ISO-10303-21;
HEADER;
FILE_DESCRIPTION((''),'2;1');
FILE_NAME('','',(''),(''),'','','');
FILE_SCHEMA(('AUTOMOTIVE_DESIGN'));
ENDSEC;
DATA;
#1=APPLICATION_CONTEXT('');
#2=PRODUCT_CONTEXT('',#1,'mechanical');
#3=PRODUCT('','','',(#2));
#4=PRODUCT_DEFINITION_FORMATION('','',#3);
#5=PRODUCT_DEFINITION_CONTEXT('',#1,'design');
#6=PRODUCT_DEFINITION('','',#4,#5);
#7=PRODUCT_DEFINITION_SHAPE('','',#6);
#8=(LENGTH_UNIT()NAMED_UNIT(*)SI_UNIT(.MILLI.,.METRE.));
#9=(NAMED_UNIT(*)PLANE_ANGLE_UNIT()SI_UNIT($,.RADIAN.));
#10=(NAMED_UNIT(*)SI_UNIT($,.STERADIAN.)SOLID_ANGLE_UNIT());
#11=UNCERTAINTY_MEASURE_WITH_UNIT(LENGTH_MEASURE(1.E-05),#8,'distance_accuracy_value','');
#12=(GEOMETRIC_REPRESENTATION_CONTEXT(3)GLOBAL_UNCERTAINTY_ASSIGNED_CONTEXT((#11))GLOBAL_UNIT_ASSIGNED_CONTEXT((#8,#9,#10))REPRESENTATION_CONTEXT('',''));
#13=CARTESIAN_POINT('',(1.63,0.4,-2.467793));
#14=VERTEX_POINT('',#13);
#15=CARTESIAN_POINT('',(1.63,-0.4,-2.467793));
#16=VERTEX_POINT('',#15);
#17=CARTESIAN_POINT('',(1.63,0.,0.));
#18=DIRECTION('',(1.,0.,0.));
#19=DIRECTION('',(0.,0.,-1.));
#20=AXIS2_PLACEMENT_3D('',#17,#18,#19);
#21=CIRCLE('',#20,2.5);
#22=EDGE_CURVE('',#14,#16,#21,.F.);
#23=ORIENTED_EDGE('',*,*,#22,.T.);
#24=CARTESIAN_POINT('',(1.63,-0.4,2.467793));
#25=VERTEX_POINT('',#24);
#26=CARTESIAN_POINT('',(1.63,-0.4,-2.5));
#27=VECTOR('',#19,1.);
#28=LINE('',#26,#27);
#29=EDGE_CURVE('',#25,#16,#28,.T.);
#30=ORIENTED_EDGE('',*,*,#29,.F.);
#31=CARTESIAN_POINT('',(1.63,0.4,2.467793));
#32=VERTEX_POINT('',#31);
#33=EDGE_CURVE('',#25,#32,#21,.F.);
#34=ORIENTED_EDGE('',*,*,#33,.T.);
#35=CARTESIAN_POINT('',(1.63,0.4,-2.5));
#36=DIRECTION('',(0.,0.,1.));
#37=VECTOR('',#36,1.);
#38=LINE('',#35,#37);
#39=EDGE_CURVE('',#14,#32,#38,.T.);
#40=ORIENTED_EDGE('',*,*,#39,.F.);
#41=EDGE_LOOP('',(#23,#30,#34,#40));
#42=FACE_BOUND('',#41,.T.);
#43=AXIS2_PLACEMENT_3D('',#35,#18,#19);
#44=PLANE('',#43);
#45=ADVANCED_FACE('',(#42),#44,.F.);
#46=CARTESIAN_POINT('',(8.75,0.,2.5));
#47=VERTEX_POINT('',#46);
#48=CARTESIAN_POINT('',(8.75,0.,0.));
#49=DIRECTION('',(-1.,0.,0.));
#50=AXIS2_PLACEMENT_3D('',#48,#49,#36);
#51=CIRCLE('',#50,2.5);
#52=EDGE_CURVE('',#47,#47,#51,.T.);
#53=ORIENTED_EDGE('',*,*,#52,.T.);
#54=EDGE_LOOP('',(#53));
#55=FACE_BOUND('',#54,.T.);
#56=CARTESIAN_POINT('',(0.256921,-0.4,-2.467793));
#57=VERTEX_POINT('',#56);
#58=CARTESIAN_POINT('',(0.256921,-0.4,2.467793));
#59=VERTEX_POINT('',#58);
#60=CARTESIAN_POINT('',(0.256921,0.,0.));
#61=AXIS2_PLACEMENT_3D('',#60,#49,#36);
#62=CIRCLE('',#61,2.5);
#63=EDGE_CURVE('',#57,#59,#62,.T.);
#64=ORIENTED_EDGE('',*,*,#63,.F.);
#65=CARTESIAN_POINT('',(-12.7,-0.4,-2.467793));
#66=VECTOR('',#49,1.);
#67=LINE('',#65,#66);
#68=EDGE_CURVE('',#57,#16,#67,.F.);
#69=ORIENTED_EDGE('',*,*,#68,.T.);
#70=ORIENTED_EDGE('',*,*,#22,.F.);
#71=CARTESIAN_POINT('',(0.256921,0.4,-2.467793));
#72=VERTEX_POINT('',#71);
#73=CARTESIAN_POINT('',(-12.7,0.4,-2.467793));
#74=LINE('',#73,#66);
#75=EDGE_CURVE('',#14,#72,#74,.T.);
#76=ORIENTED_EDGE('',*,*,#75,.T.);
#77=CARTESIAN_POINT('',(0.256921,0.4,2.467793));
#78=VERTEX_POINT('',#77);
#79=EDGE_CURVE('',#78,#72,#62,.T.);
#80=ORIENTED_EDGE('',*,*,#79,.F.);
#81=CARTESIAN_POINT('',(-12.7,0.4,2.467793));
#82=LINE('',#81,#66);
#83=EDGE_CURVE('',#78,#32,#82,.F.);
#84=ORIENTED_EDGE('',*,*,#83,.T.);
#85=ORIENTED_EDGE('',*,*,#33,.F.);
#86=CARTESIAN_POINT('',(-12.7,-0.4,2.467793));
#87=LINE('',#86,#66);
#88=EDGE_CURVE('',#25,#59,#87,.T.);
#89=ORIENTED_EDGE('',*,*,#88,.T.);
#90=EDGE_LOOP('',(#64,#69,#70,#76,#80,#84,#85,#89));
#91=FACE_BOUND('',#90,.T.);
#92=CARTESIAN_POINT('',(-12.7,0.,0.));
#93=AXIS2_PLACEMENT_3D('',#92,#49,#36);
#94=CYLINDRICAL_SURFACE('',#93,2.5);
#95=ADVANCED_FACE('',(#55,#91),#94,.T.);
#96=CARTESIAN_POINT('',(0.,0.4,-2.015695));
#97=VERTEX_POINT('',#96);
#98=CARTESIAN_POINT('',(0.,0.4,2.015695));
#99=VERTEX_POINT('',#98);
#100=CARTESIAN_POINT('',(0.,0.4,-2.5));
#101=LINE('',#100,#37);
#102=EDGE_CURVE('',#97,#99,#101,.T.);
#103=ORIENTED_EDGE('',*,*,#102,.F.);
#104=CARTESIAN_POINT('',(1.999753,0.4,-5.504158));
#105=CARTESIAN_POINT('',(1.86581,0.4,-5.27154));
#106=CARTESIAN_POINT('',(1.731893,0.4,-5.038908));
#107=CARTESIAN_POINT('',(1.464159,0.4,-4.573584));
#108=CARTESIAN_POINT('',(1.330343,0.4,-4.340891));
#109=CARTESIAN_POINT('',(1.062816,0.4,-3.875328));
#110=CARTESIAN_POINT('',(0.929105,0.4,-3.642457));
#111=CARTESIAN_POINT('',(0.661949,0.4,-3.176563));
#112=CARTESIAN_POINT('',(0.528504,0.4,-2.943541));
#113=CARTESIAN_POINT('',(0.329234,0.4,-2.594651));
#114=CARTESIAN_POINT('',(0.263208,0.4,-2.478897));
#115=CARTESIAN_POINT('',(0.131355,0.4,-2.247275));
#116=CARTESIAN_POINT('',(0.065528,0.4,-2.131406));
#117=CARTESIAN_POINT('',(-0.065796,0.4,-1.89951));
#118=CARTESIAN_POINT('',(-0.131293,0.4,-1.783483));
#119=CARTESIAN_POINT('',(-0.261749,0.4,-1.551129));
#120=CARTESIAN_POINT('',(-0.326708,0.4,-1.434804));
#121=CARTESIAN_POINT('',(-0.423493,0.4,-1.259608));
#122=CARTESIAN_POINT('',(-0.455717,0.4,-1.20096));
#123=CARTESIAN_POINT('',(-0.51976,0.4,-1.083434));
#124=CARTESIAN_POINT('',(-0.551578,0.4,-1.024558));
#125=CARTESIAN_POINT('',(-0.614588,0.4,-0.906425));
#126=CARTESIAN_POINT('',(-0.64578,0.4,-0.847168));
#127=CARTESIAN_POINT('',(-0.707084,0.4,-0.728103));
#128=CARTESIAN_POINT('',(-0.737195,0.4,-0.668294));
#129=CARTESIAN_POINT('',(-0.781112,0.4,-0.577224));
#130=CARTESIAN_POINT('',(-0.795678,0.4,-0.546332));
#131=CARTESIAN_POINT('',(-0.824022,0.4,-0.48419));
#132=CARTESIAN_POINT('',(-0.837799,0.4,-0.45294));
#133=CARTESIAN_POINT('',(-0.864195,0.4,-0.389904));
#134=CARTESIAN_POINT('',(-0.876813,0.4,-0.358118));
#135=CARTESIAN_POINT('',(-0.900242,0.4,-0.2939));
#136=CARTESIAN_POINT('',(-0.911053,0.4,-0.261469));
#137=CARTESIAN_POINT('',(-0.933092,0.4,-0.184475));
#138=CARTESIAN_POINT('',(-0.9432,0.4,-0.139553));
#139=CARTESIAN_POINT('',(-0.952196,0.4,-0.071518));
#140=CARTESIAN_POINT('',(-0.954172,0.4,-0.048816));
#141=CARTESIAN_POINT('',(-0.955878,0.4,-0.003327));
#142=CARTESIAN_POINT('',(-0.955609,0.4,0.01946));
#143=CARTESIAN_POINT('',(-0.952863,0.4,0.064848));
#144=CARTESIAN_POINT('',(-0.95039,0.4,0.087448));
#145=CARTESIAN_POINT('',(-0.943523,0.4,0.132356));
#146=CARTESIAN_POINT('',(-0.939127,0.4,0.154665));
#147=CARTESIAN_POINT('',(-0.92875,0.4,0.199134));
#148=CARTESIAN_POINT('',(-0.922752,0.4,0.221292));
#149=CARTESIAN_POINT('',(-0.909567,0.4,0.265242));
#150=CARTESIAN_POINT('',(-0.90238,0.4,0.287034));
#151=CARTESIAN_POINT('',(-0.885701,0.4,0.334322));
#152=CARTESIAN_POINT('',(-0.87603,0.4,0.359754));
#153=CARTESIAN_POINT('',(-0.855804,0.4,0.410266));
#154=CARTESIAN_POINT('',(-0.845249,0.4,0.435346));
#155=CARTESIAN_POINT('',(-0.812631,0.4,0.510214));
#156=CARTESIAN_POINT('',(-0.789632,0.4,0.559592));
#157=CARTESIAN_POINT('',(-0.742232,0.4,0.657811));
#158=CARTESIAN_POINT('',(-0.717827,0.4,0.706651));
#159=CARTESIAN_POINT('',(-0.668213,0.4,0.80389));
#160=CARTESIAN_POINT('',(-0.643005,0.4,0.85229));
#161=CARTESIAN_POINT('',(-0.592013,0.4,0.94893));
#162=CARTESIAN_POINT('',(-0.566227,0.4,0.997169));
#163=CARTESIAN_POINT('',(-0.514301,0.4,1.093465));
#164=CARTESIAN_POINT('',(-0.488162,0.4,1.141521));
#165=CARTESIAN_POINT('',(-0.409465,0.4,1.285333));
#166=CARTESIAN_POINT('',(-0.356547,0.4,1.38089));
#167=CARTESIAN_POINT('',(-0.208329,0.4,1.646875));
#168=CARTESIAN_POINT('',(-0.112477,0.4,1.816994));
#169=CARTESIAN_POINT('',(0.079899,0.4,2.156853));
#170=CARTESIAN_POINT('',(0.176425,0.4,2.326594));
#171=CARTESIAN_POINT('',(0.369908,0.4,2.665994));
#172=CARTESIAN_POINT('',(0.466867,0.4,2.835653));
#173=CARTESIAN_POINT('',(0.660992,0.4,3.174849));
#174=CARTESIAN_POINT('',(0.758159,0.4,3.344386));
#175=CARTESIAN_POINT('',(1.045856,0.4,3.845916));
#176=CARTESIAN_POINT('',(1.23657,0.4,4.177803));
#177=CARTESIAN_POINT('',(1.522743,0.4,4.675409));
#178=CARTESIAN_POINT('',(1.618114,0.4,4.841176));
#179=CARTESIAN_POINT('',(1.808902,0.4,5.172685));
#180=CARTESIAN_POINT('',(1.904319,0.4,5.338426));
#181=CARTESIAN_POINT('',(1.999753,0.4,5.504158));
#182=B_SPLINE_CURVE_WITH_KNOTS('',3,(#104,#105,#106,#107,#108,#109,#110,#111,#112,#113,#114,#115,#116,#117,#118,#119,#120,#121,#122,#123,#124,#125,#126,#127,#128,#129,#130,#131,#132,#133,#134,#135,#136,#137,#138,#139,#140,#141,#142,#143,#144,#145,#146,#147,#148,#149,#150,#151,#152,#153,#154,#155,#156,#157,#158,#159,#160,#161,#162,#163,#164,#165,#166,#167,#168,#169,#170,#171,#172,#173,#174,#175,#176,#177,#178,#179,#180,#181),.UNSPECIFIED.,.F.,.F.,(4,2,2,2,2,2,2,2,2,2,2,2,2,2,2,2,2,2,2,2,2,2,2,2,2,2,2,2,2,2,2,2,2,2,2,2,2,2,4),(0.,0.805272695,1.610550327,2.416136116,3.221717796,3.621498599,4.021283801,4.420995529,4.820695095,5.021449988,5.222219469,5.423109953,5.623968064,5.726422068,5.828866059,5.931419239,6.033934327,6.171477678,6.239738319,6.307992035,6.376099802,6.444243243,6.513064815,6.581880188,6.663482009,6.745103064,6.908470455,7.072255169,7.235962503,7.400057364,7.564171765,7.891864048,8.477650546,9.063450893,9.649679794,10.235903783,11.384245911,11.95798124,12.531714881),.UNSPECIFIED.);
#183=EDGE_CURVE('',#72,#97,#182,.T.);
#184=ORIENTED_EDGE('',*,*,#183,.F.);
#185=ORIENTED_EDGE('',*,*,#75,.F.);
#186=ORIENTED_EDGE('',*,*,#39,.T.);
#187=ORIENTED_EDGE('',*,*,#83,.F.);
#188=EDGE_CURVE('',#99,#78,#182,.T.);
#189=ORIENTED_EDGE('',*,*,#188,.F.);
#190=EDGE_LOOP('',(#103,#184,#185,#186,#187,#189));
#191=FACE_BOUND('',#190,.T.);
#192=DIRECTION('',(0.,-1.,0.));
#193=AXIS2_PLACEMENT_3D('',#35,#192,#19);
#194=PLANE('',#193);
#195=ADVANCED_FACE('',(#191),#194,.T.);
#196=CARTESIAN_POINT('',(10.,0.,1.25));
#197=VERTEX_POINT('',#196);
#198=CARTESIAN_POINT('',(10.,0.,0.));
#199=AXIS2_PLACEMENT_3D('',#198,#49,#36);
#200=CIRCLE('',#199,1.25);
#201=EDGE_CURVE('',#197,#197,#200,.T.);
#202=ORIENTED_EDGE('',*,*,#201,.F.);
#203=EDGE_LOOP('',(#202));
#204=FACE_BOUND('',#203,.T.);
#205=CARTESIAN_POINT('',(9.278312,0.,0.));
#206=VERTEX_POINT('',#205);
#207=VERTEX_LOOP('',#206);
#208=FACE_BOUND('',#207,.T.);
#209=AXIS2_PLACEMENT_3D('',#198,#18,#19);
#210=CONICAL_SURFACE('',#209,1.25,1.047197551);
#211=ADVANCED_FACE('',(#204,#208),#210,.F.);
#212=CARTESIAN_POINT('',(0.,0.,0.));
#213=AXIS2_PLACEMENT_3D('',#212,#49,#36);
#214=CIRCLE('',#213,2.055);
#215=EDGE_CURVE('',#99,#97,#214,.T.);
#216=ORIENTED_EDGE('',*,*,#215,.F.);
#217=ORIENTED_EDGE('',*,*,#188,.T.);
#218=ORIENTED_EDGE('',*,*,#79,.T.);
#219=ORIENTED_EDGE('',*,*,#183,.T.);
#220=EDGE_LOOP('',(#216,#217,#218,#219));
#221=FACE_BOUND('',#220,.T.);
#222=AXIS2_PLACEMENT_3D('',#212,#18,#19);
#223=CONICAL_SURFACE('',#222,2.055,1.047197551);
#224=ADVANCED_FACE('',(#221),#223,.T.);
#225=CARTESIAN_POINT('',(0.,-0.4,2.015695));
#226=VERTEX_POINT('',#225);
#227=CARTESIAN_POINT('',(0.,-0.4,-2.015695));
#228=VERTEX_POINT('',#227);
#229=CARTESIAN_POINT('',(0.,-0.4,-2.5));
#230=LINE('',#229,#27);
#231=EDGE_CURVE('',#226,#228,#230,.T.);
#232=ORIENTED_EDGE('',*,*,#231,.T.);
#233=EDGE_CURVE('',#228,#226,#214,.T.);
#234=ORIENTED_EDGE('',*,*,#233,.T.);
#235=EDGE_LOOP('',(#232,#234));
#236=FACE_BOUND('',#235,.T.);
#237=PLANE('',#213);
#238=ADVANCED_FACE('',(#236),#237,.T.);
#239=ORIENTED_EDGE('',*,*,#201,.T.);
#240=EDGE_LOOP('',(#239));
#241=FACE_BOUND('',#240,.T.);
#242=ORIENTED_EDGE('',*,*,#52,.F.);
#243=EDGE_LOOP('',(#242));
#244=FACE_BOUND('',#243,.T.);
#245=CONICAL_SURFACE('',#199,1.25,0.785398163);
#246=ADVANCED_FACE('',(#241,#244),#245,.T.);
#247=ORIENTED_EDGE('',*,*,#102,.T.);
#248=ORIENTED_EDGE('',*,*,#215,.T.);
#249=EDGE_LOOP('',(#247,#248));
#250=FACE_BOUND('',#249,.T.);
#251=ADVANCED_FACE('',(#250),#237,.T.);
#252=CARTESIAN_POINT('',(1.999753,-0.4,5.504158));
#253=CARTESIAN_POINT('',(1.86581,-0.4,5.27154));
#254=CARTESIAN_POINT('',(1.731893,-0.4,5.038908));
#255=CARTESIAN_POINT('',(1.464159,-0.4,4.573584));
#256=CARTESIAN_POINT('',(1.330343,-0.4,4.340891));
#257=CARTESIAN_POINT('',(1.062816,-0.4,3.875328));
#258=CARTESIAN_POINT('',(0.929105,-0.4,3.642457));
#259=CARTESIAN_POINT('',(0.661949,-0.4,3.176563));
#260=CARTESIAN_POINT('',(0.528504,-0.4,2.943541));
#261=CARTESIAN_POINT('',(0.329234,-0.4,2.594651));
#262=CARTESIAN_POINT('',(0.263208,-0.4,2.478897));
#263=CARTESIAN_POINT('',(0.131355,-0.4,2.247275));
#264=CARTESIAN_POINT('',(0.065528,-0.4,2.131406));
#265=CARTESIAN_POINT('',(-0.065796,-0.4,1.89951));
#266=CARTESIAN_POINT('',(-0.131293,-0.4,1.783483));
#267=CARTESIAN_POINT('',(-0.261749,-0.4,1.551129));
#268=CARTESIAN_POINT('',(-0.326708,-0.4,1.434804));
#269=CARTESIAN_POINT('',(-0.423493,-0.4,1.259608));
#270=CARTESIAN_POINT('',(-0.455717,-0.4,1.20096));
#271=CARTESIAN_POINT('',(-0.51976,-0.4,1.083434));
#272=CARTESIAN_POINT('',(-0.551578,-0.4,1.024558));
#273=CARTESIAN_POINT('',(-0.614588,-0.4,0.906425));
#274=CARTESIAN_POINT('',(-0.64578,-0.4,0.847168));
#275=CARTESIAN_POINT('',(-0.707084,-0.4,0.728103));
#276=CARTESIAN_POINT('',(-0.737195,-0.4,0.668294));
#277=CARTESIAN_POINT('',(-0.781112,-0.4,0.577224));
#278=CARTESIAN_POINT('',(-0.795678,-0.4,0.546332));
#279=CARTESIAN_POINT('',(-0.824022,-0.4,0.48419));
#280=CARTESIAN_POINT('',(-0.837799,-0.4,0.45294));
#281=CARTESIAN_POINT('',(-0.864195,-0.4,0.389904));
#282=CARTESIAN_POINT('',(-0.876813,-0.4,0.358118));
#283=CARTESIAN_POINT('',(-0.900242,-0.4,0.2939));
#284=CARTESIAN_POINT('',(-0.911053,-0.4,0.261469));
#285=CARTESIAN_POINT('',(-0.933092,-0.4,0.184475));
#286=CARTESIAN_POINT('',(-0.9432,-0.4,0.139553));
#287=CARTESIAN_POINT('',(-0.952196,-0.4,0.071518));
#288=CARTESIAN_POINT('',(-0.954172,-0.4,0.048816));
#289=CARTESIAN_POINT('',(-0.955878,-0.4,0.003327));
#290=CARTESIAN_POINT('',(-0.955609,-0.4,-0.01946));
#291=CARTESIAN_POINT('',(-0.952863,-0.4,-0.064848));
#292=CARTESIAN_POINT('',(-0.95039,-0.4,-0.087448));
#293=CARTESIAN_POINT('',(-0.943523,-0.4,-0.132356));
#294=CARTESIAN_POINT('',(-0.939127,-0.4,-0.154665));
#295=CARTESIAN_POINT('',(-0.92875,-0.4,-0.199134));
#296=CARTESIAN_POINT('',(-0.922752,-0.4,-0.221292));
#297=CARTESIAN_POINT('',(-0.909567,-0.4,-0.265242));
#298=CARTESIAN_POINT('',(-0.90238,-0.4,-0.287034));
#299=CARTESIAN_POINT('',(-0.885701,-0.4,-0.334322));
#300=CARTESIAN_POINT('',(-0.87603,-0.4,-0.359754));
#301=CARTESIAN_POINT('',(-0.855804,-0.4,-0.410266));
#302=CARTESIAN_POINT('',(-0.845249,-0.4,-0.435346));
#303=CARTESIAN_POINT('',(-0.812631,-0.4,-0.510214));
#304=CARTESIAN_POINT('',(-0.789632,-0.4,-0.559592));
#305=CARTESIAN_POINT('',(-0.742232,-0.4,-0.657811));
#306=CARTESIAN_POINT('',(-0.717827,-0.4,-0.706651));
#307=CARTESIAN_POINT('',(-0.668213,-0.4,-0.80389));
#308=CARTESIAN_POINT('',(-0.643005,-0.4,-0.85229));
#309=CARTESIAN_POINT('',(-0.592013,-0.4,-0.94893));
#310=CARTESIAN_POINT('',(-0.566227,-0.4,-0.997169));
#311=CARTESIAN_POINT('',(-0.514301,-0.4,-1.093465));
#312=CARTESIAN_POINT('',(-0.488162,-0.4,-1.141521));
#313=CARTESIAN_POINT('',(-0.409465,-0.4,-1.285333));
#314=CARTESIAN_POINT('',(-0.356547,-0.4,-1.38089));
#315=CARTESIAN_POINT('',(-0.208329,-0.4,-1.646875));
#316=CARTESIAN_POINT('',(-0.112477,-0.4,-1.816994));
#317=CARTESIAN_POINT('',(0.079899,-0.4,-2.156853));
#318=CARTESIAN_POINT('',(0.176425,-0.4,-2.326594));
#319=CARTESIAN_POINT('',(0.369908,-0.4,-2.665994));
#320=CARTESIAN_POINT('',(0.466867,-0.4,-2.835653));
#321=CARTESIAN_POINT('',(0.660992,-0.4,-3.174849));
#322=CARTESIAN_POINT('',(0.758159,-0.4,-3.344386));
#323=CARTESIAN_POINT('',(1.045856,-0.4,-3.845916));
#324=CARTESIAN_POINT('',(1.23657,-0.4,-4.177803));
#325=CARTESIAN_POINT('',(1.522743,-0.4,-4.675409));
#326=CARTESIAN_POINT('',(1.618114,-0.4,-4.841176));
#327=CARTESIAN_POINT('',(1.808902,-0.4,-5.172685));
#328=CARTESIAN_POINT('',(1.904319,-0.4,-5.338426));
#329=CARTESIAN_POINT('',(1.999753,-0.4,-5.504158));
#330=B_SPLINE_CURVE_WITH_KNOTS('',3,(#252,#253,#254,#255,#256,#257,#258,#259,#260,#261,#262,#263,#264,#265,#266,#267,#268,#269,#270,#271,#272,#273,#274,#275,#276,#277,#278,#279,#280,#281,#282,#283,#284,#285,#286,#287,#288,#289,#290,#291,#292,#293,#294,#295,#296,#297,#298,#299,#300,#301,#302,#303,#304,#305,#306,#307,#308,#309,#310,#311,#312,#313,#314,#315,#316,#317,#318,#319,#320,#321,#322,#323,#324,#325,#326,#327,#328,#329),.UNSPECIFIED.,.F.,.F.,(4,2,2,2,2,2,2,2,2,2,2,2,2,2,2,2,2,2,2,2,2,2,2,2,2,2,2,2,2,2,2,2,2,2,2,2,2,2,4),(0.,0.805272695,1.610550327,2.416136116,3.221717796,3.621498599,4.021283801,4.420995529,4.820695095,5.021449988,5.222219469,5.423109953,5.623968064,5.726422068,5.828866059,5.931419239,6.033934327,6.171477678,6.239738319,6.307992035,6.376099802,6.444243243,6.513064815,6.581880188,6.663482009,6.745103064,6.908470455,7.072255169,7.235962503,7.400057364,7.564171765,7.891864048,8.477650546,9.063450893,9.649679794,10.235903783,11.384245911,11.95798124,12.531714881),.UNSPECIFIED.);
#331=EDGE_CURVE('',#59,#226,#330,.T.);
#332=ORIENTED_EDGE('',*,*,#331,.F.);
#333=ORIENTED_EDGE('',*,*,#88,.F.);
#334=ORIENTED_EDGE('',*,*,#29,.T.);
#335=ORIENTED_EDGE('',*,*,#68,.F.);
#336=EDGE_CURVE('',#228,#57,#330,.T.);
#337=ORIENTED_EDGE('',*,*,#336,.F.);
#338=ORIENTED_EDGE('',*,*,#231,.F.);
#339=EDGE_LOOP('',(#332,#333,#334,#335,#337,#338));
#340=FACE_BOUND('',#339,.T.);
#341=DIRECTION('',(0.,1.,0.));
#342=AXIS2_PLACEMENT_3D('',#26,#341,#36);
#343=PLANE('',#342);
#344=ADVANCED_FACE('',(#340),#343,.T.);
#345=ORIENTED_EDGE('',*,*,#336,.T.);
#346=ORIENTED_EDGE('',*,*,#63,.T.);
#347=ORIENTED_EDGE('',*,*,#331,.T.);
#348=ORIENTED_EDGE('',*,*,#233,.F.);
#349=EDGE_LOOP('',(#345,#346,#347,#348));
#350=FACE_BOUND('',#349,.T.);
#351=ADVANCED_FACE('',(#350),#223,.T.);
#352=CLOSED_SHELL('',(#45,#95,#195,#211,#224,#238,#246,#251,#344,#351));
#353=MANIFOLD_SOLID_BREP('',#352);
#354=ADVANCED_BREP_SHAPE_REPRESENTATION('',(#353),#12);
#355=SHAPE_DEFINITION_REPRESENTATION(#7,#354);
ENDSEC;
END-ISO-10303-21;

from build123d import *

# Parameters (mm, degrees)
SKETCH2_W  = 5
SKETCH2_H  = 0.8
SLOT_DEPTH = 1.63


with BuildPart() as part:
    # BodySke → BaseBody (revolve)
    with BuildSketch(Plane.XY):
        Polygon((10, 1.25), (9.278312164, 0), (0, 0), (0, 2.055), (0.25692087, 2.5), (8.75, 2.5), align=None)
    revolve(axis=Axis((-12.7, 0, 0), (1, 0, 0)))

    # Sketch2 → Slot (cut)
    with BuildSketch(Plane(origin=(0, 0, 0), x_dir=(0, 0, -1), z_dir=(1, 0, 0))):
        Rectangle(SKETCH2_W, SKETCH2_H)
    extrude(amount=SLOT_DEPTH, mode=Mode.SUBTRACT)


solid = part.part
